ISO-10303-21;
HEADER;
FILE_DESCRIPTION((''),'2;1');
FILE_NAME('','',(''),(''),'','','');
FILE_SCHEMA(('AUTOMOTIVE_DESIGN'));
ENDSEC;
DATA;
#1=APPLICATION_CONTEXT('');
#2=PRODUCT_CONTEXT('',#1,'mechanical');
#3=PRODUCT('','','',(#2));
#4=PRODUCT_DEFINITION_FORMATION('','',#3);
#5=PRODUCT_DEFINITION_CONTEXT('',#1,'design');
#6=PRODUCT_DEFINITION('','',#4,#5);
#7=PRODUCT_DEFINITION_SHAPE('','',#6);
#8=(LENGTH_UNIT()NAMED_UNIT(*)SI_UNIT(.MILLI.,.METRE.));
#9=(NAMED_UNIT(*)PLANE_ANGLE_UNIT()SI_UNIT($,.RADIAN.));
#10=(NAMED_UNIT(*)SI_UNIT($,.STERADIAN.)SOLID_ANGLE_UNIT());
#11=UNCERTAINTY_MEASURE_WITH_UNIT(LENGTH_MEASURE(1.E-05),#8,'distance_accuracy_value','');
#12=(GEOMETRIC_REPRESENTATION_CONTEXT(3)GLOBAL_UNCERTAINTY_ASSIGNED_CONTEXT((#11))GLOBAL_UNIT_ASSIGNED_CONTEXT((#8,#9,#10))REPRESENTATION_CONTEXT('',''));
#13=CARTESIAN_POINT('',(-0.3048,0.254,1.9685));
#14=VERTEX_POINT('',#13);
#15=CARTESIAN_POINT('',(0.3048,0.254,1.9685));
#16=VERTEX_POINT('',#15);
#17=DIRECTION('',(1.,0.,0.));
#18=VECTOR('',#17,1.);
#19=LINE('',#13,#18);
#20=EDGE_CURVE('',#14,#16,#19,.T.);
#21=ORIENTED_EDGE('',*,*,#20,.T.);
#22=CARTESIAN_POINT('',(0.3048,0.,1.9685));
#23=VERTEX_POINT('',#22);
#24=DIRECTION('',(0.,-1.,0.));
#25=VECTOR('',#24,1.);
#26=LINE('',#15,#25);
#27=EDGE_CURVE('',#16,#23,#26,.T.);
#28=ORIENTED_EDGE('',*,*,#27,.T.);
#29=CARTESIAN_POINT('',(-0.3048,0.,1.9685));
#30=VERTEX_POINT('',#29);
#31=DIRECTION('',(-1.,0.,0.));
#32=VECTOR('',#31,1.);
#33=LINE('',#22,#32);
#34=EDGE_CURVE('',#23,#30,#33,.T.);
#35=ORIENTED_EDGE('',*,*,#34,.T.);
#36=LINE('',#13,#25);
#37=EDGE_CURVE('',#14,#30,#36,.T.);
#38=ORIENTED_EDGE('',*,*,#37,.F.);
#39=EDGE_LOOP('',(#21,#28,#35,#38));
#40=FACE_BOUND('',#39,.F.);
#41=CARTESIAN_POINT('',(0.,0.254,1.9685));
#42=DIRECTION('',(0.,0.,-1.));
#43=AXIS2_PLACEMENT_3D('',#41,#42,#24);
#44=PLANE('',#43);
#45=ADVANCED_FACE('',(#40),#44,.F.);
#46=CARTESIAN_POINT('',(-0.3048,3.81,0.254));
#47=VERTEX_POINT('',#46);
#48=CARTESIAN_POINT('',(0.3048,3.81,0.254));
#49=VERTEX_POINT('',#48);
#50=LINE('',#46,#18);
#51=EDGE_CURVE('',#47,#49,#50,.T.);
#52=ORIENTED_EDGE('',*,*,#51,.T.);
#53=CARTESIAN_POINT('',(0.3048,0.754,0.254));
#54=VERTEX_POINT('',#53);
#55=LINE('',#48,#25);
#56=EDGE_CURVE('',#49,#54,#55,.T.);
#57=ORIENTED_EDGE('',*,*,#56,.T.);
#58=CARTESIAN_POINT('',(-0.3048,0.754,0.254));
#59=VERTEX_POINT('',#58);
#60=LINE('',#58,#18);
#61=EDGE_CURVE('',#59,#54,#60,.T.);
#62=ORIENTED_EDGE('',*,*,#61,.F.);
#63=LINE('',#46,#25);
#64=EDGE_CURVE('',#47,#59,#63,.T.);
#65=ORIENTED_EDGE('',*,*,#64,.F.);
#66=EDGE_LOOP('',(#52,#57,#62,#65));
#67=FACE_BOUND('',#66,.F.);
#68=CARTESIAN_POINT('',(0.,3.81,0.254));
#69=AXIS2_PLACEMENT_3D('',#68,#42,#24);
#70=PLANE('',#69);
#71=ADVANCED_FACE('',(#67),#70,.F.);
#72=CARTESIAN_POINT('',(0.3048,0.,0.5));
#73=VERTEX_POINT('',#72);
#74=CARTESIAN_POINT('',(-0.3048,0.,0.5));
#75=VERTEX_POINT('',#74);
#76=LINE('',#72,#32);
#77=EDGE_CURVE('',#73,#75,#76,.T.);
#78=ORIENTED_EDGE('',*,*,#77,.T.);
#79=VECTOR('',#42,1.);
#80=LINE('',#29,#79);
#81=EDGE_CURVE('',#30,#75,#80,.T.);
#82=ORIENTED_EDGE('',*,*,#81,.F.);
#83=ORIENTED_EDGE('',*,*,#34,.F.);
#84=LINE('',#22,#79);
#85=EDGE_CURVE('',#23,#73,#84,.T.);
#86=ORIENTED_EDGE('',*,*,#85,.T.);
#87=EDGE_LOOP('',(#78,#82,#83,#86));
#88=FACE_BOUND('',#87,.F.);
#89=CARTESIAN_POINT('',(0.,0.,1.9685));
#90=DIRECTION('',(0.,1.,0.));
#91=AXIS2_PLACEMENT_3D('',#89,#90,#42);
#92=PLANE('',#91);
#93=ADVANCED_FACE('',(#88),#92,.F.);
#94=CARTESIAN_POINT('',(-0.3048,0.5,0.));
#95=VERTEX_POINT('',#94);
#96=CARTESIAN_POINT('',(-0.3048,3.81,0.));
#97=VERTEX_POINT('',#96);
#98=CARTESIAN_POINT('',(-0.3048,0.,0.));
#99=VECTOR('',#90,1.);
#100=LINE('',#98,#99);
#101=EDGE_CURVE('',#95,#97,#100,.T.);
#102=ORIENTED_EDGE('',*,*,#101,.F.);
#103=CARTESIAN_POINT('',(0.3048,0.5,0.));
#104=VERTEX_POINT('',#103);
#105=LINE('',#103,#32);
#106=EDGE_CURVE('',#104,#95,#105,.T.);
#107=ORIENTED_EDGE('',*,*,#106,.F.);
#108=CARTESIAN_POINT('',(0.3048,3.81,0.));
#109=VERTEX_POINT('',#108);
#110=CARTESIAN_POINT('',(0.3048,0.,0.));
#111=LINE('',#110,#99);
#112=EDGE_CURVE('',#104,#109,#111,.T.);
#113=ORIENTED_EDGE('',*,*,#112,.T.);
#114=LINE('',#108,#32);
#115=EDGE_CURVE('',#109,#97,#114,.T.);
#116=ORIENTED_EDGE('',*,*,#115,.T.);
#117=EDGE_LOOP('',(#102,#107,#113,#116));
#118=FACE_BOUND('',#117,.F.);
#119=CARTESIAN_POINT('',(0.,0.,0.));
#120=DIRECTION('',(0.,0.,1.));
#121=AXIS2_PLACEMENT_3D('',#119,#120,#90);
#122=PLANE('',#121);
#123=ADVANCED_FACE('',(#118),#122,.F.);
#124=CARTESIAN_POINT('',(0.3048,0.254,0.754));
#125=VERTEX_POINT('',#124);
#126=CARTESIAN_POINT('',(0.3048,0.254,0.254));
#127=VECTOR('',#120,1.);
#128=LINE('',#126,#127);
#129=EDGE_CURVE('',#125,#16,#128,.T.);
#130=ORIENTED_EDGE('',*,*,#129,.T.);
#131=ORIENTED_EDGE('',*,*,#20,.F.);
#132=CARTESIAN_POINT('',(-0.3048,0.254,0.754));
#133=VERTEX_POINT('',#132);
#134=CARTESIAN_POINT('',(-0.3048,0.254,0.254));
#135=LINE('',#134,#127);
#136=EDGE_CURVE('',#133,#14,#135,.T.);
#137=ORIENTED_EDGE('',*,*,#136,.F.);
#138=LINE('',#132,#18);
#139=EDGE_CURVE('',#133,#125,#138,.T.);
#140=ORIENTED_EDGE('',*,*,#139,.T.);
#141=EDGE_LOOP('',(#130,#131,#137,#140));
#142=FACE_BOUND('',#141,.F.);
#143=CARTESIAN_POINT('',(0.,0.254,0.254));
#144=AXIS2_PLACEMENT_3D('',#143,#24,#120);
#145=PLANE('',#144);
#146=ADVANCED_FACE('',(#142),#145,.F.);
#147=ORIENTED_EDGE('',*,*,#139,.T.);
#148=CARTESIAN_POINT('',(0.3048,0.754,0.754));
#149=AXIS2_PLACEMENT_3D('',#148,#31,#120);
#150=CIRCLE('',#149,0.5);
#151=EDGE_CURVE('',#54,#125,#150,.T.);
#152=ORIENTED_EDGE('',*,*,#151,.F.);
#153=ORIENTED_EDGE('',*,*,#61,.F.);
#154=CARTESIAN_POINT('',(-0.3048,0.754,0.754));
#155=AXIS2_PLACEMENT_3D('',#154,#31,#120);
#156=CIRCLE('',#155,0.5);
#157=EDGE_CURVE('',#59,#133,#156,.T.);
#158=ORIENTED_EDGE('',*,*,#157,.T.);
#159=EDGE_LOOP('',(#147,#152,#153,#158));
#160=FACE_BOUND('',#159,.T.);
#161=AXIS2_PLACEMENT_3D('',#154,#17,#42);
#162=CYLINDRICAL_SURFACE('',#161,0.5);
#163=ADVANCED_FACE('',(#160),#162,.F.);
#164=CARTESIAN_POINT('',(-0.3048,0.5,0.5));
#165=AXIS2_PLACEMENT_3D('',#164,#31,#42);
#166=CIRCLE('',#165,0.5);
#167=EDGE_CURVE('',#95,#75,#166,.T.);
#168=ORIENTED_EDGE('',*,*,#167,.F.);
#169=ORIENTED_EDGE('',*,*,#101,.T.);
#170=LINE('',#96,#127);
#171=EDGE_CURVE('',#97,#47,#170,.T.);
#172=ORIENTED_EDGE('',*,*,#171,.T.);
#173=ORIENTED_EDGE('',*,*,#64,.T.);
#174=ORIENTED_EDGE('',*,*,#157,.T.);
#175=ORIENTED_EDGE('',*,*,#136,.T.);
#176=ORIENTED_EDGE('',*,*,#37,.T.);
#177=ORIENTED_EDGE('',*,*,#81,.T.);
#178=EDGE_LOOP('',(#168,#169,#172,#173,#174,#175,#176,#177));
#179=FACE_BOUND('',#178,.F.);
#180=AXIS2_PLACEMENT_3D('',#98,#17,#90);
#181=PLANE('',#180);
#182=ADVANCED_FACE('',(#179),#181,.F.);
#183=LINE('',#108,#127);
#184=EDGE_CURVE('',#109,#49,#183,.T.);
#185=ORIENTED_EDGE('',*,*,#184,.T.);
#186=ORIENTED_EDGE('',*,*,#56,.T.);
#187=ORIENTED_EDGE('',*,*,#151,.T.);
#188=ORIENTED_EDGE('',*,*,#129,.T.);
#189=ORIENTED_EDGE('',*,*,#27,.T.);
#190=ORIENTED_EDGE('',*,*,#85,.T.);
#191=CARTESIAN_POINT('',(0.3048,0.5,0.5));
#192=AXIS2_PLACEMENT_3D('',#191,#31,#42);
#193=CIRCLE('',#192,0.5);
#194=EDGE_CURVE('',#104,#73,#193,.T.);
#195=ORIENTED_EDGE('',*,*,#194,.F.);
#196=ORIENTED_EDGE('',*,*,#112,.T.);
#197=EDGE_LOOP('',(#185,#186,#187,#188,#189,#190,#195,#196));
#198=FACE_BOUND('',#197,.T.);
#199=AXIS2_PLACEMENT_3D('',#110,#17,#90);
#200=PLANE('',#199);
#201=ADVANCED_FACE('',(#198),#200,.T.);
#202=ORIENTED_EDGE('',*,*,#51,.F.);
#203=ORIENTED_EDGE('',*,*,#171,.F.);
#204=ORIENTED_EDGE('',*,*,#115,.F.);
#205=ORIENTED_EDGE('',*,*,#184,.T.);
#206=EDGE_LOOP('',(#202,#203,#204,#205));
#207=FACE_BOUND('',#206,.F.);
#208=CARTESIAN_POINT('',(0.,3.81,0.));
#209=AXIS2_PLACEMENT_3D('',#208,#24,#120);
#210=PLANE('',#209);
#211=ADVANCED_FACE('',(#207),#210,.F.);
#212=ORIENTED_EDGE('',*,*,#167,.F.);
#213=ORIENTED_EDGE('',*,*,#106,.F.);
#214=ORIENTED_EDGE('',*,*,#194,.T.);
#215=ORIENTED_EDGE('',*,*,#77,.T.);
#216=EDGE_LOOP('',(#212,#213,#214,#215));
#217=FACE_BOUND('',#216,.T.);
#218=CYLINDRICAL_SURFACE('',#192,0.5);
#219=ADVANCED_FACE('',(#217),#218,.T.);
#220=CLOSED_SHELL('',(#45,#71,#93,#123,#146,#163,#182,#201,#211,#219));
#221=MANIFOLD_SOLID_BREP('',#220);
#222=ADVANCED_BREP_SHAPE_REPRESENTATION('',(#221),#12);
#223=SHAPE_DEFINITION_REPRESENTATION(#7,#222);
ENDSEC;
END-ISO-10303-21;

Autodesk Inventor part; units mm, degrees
ref_plane "YZ Plane" through (0, 0, 0) normal (1, 0, 0) x (0, 1, 0)
ref_plane "XZ Plane" through (0, 0, 0) normal (0, 1, 0) x (-1, 0, 0)
ref_plane "XY Plane" through (0, 0, 0) normal (0, 0, 1) x (1, 0, 0)
sketch "Sketch1" plane through (0, 0, 0) normal (1, 0, 0) x (0, 1, 0)
  line L0 (3.81, 0.254) -> (0.254, 0.254)
  line L1 (0.254, 0.254) -> (0.254, 1.9685)
  line L2 (0.254, 1.9685) -> (0, 1.9685)
  line L3 (0, 1.9685) -> (0, 0)
  line L4 (0, 0) -> (3.81, 0)
  line L5 (3.81, 0) -> (3.81, 0.254)
  dimension "d0" = 0.254
  dimension "d1" = 3.81
  dimension "d2" = 1.7145
  dimension "d3" = 0.254
extrude "Extrusion1" add sketch "Sketch1" along normal mid plane 0.6096
fillet "Fillet1" radius 0.5 2 edges at (0, 0, 0) (0, 0.254, 0.254)
properties part number "pin" material "Copper"
